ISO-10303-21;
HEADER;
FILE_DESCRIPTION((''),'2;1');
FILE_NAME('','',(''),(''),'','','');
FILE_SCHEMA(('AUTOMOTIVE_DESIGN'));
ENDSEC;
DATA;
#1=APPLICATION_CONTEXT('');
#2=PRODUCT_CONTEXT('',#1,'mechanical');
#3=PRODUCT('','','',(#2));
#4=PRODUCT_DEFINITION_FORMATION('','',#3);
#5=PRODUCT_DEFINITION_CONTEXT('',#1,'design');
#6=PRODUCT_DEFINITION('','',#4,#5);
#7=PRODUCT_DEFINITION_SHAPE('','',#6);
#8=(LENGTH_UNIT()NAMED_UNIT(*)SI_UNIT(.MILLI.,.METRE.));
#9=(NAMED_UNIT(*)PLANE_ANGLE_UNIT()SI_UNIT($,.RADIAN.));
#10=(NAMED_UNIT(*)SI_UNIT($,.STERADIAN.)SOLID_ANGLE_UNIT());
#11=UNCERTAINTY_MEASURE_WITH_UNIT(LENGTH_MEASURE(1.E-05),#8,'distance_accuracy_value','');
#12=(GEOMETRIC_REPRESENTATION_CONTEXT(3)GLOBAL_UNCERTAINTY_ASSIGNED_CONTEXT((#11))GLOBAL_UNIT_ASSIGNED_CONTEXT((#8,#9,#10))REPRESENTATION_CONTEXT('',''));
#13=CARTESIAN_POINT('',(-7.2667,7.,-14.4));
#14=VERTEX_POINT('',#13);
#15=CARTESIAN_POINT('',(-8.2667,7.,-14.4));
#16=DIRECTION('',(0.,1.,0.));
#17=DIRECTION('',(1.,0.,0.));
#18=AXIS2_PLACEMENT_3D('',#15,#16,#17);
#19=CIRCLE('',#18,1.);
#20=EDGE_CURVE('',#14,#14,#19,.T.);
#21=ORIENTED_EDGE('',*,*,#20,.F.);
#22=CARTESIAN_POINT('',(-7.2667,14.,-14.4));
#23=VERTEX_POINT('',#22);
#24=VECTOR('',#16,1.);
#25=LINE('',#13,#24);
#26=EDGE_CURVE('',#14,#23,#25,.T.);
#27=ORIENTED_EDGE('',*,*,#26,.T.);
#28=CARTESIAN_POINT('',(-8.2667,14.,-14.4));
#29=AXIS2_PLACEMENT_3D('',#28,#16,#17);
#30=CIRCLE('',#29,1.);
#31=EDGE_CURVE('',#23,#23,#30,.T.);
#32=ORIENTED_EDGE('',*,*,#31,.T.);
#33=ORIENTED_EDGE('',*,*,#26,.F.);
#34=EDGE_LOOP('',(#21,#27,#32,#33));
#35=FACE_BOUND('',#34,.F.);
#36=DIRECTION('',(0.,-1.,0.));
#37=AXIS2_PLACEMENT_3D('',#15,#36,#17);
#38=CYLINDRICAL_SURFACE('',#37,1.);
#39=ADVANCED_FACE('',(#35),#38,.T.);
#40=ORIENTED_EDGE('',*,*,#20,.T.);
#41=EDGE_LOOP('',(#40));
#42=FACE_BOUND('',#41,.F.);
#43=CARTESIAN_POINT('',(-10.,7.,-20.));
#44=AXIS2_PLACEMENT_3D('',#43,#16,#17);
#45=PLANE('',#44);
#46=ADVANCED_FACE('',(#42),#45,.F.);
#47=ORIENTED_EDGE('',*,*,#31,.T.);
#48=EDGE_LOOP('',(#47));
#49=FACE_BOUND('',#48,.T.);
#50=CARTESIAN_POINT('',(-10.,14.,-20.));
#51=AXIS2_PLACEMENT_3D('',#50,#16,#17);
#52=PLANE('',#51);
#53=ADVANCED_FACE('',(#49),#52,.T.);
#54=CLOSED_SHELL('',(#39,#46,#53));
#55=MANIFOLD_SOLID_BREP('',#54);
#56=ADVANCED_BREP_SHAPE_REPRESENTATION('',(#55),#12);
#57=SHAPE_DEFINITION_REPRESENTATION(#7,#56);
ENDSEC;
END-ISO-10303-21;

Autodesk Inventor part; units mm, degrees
ref_plane "YZ Plane" through (0, 0, 0) normal (1, 0, 0) x (0, 1, 0)
ref_plane "XZ Plane" through (0, 0, 0) normal (0, 1, 0) x (-1, 0, 0)
ref_plane "XY Plane" through (0, 0, 0) normal (0, 0, 1) x (1, 0, 0)
ref_plane "Work Plane1" through (-10, 7, -20) normal (0, 1, 0) x (1, 0, 0)
sketch "Sketch3" plane through (-10, 7, -20) normal (0, 1, 0) x (1, 0, 0)
  circle A0 centre (1.7333, -5.6) radius 1 projected
  point P0 (10, -20)
extrude "Extrusion1" add sketch "Sketch3" along normal blind 7
properties part number "pin_circular_2mm"
